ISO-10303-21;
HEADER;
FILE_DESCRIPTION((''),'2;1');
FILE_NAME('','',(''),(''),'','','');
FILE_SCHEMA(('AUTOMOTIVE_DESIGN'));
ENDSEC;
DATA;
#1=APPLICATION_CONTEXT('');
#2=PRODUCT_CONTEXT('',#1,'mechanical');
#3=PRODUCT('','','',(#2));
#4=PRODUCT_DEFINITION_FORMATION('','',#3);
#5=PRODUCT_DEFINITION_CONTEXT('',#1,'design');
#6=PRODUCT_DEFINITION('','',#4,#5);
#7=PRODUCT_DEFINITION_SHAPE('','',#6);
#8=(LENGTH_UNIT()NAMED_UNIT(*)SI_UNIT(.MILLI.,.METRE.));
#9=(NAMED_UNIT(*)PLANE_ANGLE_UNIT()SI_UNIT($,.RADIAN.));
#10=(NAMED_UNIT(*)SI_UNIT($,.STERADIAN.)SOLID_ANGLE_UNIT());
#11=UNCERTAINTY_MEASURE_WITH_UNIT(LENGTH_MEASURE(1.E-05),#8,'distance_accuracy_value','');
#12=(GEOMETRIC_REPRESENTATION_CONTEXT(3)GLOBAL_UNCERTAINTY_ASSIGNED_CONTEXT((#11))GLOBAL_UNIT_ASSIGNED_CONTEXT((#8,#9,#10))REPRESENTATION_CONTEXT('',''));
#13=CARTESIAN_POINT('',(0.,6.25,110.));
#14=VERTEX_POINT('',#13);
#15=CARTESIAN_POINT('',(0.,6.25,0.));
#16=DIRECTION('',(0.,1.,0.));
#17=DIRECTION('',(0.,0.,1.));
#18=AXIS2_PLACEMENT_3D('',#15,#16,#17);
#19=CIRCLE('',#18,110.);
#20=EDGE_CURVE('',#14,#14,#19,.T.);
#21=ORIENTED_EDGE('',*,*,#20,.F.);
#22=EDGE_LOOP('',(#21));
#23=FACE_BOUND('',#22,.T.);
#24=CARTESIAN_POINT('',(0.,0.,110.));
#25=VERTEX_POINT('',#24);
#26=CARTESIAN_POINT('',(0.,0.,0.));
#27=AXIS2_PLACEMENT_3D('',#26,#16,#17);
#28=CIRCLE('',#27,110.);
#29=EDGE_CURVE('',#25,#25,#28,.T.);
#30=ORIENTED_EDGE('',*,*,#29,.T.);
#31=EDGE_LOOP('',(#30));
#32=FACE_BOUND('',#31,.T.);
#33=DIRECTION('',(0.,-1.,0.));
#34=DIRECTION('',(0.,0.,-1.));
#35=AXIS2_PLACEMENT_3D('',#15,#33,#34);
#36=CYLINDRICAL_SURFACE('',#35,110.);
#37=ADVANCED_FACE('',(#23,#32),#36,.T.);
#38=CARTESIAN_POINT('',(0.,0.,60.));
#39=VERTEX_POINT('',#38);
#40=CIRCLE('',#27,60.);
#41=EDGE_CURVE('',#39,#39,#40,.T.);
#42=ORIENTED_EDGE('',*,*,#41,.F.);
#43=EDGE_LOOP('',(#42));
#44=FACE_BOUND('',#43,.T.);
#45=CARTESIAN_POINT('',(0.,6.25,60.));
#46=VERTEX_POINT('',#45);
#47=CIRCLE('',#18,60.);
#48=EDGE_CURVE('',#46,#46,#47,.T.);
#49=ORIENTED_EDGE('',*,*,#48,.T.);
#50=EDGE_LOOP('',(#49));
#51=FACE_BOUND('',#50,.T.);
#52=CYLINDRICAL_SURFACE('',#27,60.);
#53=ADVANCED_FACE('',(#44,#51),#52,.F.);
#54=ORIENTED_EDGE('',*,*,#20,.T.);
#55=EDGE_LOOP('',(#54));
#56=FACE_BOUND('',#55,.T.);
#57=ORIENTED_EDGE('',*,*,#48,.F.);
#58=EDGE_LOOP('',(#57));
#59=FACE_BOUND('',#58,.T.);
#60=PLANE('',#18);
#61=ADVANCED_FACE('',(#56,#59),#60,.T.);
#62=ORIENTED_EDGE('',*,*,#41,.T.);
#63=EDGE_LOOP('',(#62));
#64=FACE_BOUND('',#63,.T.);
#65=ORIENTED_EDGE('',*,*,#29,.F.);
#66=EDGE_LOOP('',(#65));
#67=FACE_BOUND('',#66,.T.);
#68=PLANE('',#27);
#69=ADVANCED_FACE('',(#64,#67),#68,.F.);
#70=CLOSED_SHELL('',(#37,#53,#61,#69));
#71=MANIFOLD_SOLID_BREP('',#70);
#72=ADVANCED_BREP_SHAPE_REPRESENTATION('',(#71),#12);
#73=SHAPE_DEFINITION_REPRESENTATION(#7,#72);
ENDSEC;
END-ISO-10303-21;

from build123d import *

# Parameters (mm, degrees)
SKETCH2_R           = 110
BOSS_EXTRUDE1_DEPTH = 6.25
SKETCH3_R           = 60
CUT_EXTRUDE1_DEPTH  = 6.25


with BuildPart() as part:
    # Sketch2 → Boss-Extrude1 (new body)
    with BuildSketch(Plane(origin=(0, 0, 0), x_dir=(1, 0, 0), z_dir=(0, 1, 0))):
        with Locations(Location((0, 0, 0), (0, 0, 270))):
            Circle(SKETCH2_R)
    extrude(amount=BOSS_EXTRUDE1_DEPTH)

    # Sketch3 → Cut-Extrude1 (cut)
    with BuildSketch(Plane(origin=(0, 6.25, 0), x_dir=(1, 0, 0), z_dir=(0, 1, 0))):
        with Locations(Location((0, 0, 0), (0, 0, 270))):
            Circle(SKETCH3_R)
    extrude(amount=-CUT_EXTRUDE1_DEPTH, mode=Mode.SUBTRACT)


solid = part.part
